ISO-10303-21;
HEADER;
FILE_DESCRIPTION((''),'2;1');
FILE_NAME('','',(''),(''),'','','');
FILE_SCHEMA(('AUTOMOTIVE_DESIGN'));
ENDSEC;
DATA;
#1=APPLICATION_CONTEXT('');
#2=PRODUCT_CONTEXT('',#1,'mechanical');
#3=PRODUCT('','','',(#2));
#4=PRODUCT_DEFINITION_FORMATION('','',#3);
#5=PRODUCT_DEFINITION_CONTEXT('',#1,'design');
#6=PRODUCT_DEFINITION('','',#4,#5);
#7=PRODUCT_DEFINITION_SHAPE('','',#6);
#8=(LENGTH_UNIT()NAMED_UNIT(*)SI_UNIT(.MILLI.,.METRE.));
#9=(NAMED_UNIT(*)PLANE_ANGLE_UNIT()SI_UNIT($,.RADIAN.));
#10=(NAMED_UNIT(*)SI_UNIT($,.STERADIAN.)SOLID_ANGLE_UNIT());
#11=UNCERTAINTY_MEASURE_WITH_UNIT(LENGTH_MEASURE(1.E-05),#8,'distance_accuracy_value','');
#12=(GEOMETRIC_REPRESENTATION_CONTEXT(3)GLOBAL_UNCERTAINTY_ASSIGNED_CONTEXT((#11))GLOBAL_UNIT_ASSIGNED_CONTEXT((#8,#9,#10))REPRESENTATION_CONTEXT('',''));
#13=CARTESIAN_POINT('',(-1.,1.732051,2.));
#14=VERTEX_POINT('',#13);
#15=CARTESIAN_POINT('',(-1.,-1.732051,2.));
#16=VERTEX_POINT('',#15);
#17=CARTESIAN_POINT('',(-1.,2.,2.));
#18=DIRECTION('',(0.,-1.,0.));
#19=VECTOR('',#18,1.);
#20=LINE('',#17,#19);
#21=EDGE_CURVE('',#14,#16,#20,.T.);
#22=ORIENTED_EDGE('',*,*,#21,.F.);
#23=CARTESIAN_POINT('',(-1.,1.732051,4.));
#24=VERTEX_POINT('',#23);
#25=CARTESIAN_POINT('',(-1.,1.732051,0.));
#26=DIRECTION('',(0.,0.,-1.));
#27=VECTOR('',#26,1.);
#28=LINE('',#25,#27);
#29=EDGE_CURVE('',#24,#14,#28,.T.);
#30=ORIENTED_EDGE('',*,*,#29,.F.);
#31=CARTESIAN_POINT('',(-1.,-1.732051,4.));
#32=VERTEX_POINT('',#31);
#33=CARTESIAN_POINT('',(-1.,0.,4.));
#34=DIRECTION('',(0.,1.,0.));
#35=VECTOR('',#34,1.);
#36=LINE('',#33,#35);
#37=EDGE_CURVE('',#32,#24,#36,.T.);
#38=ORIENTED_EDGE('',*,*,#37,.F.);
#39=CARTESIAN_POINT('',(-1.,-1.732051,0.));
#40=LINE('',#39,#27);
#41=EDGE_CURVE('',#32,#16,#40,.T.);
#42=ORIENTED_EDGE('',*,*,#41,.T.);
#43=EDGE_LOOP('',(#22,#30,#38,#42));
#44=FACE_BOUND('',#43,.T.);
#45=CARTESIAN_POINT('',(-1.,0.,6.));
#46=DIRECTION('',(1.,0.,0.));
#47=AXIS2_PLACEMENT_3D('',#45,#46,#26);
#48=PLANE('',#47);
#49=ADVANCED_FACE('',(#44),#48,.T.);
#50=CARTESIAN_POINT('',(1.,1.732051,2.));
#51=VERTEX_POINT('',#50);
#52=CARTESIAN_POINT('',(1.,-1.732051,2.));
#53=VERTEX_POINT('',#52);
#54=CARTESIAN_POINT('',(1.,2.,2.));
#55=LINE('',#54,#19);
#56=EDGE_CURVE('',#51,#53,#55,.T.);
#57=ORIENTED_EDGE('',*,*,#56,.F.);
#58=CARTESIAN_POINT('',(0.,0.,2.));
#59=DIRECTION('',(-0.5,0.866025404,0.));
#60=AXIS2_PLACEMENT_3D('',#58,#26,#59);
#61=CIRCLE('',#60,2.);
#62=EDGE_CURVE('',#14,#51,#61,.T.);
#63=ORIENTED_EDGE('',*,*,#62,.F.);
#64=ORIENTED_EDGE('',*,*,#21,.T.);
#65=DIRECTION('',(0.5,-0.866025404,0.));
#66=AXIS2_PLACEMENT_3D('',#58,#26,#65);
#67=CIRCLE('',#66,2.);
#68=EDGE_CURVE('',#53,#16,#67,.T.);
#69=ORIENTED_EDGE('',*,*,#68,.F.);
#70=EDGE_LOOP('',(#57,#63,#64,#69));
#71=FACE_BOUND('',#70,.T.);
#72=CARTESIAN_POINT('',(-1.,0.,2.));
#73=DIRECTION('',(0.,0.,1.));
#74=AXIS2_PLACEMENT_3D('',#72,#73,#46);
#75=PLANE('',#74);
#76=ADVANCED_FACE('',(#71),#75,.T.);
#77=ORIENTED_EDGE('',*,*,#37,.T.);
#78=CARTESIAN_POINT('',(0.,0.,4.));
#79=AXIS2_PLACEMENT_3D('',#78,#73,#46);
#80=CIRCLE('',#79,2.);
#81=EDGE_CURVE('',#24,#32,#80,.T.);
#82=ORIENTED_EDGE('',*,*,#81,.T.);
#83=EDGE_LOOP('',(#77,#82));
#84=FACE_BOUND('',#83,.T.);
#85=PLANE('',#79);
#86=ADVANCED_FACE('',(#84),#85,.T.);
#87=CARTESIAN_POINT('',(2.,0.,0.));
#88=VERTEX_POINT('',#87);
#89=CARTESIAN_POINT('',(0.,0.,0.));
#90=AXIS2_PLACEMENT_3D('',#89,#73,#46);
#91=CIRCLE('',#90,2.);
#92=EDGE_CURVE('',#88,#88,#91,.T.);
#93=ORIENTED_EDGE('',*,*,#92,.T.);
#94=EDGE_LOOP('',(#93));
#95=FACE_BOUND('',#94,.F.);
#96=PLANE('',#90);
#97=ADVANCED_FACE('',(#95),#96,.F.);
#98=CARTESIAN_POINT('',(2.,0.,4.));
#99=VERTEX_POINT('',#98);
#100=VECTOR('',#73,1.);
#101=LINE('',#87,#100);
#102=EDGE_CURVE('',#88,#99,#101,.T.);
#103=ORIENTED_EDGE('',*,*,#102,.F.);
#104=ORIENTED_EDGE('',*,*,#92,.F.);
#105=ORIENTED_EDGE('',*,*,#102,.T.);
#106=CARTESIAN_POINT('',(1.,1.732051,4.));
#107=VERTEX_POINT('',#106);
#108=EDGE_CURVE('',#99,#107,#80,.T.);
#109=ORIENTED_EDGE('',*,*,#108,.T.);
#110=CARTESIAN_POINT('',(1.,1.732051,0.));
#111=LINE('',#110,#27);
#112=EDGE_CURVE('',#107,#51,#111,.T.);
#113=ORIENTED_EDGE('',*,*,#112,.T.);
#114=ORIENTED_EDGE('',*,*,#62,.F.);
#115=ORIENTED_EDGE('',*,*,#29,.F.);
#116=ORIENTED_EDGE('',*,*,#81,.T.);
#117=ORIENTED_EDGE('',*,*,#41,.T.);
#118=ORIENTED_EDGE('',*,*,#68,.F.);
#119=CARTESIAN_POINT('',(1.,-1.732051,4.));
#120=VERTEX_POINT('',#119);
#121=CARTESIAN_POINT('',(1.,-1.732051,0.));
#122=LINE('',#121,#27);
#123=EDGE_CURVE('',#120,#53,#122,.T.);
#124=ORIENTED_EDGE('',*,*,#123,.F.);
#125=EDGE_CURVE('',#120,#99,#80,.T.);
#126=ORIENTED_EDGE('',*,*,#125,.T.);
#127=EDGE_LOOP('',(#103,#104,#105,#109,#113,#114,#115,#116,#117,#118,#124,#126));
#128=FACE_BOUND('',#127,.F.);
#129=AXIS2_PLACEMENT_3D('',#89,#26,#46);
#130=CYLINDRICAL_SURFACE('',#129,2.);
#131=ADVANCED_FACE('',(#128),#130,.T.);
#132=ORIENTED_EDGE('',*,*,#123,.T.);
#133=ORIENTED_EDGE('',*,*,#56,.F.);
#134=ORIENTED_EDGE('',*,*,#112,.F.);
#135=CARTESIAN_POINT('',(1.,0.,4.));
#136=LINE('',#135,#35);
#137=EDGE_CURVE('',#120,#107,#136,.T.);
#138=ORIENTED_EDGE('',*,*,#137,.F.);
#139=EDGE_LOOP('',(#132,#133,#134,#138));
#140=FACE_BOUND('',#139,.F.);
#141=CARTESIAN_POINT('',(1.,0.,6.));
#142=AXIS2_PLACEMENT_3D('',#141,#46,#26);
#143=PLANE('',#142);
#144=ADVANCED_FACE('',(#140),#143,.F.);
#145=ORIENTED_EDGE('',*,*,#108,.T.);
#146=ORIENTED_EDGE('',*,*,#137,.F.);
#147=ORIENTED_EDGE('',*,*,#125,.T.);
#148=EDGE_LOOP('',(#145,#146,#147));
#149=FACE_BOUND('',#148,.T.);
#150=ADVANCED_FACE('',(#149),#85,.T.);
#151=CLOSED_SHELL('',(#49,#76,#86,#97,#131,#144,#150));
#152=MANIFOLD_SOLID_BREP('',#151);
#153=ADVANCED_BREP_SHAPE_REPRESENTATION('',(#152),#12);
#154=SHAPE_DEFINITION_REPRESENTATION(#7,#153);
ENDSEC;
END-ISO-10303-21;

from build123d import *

# Parameters (mm, degrees)
SKETCH1_R           = 2
BOSS_EXTRUDE1_DEPTH = 4
SKETCH2_W           = 2
SKETCH2_H           = 4
CUT_EXTRUDE1_DEPTH  = 2


with BuildPart() as part:
    # Sketch1 → Boss-Extrude1 (new body)
    with BuildSketch(Plane.XY):
        Circle(SKETCH1_R)
    extrude(amount=BOSS_EXTRUDE1_DEPTH)

    # Sketch2 → Cut-Extrude1 (cut, symmetric)
    with BuildSketch(Plane(origin=(0, 0, 0), x_dir=(1, 0, 0), z_dir=(0, 1, 0))):
        with Locations((0, -4)):
            Rectangle(SKETCH2_W, SKETCH2_H)
    extrude(amount=CUT_EXTRUDE1_DEPTH, both=True, mode=Mode.SUBTRACT)


solid = part.part
